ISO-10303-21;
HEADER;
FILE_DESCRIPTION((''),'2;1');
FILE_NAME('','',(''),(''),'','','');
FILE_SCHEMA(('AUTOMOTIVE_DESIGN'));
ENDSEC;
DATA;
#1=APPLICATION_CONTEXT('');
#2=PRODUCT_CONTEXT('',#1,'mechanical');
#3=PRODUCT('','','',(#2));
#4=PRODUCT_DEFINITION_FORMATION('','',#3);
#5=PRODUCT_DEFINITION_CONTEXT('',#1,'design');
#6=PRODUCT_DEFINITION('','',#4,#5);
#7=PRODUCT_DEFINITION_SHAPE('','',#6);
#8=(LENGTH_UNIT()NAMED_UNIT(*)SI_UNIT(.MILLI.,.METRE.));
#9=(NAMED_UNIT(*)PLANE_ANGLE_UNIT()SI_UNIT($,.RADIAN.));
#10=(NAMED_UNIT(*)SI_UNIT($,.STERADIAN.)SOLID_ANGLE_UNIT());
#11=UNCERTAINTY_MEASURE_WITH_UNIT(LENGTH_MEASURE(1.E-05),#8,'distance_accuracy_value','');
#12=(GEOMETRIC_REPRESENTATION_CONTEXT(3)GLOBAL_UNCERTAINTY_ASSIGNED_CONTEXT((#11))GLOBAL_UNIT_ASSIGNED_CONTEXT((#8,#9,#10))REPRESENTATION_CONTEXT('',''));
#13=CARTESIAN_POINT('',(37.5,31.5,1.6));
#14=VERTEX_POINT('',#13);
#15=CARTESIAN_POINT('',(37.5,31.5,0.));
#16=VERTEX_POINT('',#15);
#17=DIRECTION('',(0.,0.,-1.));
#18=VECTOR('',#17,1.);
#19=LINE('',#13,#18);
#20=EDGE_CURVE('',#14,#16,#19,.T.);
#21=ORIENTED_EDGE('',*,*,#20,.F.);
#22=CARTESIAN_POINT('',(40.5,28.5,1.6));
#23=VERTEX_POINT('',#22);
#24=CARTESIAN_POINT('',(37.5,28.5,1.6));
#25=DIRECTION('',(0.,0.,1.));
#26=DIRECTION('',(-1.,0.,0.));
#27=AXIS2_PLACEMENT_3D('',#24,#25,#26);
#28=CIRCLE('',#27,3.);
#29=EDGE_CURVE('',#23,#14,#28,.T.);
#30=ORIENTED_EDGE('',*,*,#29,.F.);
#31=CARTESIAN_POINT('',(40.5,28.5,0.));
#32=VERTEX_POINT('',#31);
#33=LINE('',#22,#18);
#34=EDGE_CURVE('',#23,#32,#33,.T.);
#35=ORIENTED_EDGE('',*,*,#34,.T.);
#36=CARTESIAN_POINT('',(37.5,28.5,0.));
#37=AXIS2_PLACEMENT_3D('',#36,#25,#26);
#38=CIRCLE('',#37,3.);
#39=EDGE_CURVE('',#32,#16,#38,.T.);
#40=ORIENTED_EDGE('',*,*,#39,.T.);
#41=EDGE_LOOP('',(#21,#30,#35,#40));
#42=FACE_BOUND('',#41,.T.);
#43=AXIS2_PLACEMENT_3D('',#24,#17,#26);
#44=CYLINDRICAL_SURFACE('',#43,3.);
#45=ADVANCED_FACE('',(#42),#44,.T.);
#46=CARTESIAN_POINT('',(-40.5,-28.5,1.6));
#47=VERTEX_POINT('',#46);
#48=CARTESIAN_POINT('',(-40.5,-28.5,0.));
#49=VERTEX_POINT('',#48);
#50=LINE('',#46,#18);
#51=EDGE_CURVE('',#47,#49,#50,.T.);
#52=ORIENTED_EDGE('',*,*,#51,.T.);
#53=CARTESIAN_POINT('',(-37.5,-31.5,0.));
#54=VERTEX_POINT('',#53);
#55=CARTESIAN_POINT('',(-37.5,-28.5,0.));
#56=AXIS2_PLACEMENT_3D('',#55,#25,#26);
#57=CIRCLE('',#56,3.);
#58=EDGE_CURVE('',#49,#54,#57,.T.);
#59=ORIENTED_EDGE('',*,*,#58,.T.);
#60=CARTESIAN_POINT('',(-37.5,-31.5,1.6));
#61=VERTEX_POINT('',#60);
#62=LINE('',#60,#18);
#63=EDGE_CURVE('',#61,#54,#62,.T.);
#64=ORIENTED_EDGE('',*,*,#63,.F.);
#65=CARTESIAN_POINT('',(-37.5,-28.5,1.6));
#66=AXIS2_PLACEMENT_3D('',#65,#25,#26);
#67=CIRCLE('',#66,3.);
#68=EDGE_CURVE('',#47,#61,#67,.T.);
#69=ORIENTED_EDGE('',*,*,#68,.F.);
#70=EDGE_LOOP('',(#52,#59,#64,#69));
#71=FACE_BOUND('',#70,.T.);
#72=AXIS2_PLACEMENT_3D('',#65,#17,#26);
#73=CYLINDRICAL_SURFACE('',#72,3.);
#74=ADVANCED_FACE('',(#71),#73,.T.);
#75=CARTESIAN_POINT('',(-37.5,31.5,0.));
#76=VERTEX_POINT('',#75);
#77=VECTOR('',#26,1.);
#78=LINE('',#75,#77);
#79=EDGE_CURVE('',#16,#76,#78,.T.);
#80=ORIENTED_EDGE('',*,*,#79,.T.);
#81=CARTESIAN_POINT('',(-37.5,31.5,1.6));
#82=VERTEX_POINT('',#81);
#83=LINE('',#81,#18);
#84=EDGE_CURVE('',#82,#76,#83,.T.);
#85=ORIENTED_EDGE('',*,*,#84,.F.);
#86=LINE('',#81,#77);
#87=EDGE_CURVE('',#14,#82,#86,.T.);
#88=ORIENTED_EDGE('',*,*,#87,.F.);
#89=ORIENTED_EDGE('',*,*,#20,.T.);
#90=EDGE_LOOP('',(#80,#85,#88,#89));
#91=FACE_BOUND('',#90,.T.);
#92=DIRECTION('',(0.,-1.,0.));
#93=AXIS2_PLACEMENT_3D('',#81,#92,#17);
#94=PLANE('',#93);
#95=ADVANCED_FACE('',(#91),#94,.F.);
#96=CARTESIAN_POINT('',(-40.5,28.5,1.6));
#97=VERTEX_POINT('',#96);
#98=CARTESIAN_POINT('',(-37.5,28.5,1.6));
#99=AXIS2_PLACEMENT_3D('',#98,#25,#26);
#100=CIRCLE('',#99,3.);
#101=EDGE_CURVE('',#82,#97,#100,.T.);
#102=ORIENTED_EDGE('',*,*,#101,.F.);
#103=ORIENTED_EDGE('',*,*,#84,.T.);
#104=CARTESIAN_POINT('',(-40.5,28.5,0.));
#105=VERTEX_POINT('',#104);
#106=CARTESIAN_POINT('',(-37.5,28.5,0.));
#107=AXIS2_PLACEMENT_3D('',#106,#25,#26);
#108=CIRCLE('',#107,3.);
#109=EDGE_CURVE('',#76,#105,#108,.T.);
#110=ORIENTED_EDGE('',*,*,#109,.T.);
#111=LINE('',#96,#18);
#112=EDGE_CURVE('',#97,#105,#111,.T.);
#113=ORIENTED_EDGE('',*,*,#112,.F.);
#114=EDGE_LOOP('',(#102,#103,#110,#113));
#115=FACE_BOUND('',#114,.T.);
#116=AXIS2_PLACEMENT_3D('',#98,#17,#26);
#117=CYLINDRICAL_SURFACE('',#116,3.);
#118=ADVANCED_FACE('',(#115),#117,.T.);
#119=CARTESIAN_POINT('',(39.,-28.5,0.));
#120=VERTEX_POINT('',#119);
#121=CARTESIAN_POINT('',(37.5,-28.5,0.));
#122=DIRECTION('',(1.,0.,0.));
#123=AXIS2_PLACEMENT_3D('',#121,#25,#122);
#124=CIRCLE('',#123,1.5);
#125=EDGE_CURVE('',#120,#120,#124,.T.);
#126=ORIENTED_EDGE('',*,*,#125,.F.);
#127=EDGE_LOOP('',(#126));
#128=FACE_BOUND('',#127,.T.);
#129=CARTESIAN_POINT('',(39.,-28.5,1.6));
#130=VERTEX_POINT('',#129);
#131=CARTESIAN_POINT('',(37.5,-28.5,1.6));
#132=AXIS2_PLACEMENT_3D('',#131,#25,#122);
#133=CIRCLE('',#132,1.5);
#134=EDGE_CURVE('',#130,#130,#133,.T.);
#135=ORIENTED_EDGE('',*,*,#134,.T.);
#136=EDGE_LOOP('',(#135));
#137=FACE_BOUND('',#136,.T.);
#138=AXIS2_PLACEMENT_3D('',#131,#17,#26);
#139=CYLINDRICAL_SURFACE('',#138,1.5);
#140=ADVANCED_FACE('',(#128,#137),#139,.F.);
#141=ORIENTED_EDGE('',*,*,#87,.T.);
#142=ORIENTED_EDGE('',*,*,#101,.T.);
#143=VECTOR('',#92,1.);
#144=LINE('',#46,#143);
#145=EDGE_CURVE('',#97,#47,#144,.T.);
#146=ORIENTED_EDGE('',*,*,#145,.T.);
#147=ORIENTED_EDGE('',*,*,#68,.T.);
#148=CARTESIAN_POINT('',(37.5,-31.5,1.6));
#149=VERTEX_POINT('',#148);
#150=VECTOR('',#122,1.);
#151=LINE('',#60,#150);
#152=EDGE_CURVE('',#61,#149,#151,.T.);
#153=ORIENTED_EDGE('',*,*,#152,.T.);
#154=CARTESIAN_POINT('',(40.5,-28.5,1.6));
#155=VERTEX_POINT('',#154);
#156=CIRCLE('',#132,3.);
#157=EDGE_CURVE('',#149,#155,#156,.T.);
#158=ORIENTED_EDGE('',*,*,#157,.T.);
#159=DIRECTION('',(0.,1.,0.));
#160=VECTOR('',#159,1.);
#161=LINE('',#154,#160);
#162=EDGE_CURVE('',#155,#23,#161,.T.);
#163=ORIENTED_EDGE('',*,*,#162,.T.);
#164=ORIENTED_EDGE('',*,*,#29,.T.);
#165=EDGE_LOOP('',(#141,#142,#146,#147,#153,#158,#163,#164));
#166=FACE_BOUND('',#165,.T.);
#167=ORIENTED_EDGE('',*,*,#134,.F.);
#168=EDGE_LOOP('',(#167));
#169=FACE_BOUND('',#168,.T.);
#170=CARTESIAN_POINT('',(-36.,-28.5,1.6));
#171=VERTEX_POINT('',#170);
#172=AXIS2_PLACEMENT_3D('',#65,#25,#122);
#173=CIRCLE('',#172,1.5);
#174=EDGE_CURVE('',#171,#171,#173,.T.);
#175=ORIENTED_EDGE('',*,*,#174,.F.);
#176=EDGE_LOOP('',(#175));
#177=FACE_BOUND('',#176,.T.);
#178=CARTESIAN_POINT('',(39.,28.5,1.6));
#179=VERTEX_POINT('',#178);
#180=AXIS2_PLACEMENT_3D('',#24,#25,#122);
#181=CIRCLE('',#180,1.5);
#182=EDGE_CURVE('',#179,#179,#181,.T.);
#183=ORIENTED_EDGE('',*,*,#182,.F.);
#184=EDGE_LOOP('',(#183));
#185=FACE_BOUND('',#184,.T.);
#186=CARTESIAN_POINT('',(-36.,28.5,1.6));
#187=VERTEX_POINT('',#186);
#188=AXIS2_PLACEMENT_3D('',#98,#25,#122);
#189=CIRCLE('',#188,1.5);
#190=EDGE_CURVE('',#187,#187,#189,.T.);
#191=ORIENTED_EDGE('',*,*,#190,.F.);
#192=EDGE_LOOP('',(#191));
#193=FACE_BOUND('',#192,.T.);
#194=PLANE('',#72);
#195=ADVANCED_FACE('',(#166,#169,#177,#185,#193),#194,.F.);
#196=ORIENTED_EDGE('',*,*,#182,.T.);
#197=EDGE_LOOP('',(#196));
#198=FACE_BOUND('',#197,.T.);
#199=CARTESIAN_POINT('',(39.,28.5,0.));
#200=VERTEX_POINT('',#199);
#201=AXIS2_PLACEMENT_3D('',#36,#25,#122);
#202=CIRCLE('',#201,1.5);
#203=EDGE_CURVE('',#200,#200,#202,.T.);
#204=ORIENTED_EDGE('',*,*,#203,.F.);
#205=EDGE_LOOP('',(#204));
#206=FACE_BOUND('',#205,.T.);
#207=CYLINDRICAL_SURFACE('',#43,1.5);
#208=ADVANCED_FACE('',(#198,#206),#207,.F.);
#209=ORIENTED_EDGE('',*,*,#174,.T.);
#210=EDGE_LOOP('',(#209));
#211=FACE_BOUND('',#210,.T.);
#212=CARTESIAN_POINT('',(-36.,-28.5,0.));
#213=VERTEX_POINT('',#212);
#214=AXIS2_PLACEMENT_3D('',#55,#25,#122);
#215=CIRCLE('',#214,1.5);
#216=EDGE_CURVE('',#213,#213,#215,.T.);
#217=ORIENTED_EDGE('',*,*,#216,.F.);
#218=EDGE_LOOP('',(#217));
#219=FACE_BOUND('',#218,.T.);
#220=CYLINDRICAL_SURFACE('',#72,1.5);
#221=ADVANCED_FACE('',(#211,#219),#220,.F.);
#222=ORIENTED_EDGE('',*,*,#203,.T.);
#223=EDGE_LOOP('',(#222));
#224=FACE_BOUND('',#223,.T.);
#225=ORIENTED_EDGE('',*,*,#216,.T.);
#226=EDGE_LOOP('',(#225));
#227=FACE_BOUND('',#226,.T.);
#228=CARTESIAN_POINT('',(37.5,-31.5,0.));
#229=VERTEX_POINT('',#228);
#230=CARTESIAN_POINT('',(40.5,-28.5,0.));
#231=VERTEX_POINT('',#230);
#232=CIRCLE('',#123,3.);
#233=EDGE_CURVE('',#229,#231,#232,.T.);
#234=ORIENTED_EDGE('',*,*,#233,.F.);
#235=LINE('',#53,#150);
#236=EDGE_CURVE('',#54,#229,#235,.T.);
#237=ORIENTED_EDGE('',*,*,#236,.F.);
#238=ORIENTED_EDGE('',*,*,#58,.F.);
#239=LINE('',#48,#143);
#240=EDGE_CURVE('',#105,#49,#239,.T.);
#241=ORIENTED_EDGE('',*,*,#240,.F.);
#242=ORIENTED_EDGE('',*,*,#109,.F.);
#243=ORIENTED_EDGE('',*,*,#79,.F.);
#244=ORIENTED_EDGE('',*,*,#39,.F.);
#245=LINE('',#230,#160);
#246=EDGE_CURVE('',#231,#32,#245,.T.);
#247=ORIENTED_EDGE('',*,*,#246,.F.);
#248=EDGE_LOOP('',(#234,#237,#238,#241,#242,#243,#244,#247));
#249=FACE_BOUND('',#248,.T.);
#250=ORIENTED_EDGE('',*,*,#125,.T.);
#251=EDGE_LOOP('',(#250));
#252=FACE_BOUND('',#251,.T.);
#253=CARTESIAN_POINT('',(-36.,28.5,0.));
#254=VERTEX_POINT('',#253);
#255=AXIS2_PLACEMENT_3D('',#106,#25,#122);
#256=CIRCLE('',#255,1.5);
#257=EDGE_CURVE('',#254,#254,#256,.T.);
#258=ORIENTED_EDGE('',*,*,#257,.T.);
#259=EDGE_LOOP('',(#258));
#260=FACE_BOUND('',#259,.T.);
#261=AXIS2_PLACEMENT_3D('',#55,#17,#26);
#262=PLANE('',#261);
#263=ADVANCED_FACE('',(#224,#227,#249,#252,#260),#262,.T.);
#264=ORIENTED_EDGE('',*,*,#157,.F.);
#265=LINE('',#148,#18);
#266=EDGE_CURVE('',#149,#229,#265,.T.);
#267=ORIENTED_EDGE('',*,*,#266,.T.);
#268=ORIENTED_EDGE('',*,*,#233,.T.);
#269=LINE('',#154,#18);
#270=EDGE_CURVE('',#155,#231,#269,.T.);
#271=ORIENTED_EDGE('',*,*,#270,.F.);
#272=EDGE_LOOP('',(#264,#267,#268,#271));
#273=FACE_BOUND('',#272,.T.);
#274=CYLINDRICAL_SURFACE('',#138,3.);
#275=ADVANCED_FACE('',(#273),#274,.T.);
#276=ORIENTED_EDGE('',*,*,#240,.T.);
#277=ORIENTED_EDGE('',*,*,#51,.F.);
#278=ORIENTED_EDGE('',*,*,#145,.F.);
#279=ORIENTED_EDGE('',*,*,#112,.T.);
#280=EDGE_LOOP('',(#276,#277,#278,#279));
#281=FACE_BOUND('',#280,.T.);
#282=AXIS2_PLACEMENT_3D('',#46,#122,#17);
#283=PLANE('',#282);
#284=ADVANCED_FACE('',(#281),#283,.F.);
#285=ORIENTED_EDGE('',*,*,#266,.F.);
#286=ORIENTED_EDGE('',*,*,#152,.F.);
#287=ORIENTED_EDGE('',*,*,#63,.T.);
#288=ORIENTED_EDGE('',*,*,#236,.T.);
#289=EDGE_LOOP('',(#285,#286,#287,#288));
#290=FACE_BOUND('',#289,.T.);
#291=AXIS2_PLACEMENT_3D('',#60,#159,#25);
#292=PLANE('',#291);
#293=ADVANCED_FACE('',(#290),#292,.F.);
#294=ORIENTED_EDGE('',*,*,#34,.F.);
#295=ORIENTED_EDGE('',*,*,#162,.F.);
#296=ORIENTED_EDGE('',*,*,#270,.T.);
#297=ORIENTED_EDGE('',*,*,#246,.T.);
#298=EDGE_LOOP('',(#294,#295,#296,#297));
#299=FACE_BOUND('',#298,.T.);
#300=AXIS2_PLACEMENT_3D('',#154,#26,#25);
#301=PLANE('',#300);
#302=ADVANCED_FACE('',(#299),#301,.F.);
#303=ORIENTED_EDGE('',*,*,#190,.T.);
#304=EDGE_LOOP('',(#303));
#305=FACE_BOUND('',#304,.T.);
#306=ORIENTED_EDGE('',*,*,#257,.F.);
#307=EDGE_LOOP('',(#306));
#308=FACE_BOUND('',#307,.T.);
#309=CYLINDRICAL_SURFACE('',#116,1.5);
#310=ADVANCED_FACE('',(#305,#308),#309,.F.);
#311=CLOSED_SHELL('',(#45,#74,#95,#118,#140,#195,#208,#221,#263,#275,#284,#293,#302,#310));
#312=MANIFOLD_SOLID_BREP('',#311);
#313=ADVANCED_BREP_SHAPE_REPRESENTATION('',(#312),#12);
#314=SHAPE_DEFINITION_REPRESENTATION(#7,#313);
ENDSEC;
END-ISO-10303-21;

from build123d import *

# Parameters (mm, degrees)
SKETCH1_R           = 1.5
BOSS_EXTRUDE1_DEPTH = 1.6


with BuildPart() as part:
    # Sketch1 → Boss-Extrude1 (new body)
    with BuildSketch(Plane.XY):
        with BuildLine():
            Line((-37.5, -31.5), (37.5, -31.5))
            ThreePointArc((37.5, -31.5), (39.621320344, -30.621320344), (40.5, -28.5))
            Line((40.5, -28.5), (40.5, 28.5))
            ThreePointArc((40.5, 28.5), (39.621320344, 30.621320344), (37.5, 31.5))
            Line((37.5, 31.5), (-37.5, 31.5))
            ThreePointArc((-37.5, 31.5), (-39.621320344, 30.621320344), (-40.5, 28.5))
            Line((-40.5, 28.5), (-40.5, -28.5))
            ThreePointArc((-40.5, -28.5), (-39.621320344, -30.621320344), (-37.5, -31.5))
        make_face()
        with Locations((-37.5, 28.5)):
            Circle(SKETCH1_R, mode=Mode.SUBTRACT)
        with Locations((37.5, 28.5)):
            Circle(SKETCH1_R, mode=Mode.SUBTRACT)
        with Locations((37.5, -28.5)):
            Circle(SKETCH1_R, mode=Mode.SUBTRACT)
        with Locations((-37.5, -28.5)):
            Circle(SKETCH1_R, mode=Mode.SUBTRACT)
    extrude(amount=BOSS_EXTRUDE1_DEPTH)


solid = part.part
